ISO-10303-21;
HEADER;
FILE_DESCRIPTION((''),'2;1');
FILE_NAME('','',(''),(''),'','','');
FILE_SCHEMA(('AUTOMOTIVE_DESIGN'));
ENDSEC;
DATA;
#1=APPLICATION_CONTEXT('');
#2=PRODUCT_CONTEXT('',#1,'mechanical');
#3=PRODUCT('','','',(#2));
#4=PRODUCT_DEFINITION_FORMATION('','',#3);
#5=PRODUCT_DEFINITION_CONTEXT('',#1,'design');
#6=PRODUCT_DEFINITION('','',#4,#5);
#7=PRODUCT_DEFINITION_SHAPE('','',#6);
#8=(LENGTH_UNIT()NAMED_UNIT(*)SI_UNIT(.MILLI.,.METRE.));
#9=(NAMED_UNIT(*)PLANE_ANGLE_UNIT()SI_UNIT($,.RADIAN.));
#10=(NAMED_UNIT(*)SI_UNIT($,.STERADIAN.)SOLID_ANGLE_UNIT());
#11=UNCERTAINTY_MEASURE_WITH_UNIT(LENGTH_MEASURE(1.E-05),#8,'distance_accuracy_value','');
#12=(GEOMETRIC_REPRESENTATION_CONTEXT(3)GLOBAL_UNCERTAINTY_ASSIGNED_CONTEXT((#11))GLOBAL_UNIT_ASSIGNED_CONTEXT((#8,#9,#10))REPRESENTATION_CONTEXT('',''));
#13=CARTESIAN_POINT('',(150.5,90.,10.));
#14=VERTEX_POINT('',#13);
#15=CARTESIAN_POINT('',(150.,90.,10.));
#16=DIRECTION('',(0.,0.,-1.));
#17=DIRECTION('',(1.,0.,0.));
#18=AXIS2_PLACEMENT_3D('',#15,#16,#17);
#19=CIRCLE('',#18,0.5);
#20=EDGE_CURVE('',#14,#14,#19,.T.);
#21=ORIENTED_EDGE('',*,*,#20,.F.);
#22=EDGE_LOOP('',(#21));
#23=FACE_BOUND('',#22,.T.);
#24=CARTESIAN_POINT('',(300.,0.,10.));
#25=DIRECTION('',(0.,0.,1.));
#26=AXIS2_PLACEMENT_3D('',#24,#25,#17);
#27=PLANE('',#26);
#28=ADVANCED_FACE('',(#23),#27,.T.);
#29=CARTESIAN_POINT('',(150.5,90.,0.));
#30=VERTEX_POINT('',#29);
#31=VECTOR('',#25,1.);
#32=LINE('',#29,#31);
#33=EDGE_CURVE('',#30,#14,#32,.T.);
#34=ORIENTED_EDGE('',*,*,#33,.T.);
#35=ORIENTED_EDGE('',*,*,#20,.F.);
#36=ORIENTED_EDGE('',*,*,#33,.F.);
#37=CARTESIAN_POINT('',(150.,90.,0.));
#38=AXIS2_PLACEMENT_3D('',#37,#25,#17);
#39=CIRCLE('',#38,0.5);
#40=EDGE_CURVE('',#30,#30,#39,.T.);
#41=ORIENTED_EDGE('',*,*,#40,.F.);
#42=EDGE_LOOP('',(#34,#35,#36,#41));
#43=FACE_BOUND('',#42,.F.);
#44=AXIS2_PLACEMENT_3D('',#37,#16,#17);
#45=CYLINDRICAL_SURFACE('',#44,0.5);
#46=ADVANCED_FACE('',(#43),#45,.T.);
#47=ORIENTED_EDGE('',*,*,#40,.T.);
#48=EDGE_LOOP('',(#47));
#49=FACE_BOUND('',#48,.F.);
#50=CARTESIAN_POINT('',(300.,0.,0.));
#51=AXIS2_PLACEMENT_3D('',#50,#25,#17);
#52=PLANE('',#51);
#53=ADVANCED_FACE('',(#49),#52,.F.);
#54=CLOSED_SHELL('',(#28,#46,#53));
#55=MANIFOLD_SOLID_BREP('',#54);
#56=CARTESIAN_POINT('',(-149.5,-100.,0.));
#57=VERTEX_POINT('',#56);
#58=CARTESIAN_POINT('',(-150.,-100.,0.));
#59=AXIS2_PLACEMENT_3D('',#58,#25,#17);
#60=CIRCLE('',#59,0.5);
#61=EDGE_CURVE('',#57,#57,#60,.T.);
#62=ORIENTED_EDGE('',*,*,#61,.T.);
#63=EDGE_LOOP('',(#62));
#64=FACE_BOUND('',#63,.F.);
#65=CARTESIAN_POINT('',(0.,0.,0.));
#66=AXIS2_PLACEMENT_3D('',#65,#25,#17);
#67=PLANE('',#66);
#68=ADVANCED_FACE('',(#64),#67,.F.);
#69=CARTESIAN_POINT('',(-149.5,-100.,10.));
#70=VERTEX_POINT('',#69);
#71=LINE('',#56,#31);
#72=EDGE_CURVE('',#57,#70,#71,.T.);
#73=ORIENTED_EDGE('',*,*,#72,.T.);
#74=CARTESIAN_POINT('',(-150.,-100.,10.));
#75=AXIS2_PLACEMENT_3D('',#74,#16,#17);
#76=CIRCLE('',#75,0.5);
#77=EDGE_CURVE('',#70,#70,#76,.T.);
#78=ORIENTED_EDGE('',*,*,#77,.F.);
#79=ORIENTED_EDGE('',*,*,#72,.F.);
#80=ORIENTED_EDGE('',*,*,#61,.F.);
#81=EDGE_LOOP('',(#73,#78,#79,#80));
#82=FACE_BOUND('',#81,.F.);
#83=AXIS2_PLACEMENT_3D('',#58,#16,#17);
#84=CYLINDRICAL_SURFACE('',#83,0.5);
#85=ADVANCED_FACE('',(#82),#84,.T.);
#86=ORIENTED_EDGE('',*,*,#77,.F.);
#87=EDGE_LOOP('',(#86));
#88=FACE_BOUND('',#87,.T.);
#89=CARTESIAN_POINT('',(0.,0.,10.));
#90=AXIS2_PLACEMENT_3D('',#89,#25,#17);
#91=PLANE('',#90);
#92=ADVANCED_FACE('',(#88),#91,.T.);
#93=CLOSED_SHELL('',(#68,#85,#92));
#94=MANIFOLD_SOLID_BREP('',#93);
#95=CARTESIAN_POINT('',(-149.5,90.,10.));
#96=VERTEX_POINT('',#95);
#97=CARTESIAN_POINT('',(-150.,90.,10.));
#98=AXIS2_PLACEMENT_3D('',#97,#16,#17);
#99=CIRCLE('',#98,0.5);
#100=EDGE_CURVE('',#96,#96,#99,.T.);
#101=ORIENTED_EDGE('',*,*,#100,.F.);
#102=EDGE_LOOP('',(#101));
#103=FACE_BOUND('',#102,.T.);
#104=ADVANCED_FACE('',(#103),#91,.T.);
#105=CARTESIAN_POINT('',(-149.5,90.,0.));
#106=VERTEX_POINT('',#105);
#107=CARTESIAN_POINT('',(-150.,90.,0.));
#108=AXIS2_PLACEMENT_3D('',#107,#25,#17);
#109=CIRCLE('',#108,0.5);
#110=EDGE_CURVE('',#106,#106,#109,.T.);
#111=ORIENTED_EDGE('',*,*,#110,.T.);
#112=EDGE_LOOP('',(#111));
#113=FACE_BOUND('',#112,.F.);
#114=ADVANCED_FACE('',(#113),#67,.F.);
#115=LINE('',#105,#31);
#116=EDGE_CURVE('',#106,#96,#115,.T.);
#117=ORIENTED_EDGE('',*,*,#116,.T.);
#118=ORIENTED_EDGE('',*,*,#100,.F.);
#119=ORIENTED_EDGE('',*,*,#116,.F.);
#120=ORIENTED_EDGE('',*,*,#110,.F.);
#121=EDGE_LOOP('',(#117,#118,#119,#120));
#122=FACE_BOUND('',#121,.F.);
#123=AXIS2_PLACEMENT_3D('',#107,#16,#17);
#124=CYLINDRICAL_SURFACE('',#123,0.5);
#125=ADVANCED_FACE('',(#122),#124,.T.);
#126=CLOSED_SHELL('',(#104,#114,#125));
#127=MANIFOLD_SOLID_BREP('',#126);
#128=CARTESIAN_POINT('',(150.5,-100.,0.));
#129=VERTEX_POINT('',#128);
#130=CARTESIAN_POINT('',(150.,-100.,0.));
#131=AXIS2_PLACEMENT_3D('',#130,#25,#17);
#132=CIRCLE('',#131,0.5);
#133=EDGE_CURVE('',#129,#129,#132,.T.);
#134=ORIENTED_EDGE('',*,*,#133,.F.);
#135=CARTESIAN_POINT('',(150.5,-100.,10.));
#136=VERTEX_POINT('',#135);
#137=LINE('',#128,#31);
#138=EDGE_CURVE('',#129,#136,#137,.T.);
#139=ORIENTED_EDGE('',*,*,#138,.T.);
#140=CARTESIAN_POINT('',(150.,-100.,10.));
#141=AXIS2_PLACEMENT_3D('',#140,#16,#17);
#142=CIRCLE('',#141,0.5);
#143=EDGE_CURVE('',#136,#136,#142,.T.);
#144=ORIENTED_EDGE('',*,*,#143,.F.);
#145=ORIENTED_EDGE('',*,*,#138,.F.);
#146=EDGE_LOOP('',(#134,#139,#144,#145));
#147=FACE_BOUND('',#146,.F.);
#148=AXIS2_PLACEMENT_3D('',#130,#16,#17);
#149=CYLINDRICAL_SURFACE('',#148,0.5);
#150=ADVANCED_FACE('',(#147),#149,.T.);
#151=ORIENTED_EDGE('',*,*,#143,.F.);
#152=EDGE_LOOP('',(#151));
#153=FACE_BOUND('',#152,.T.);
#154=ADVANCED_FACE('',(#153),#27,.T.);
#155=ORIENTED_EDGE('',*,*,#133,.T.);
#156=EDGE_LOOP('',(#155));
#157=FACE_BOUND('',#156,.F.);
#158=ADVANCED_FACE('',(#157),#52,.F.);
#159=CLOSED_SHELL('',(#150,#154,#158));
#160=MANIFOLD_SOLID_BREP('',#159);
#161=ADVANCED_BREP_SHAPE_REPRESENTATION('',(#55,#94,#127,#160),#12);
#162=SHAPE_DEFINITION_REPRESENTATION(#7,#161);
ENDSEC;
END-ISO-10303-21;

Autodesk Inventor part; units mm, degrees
ref_plane "YZ Plane" through (0, 0, 0) normal (1, 0, 0) x (0, 1, 0)
ref_plane "XZ Plane" through (0, 0, 0) normal (0, 1, 0) x (-1, 0, 0)
ref_plane "XY Plane" through (0, 0, 0) normal (0, 0, 1) x (1, 0, 0)
sketch "Sketch1" plane through (0, 0, 0) normal (0, 0, 1) x (1, 0, 0)
  line L0 (-200, -150) -> (200, -150)
  line L1 (200, -150) -> (200, 150)
  line L2 (200, 150) -> (-200, 150)
  line L3 (-200, 150) -> (-200, -150)
  line L4 (-200, -150) -> (200, 150) construction
  line L5 (200, -150) -> (-200, 150) construction
  line L6 (-150, -100) -> (150, -100)
  line L7 (150, -100) -> (150, 90)
  line L8 (150, 90) -> (-150, 90)
  line L9 (-150, 90) -> (-150, -100)
  line L10 (-150, -100) -> (150, 90) construction
  line L11 (150, -100) -> (-150, 90) construction
  circle A0 centre (-150, -100) radius 0.5
  circle A1 centre (-150, 90) radius 0.5
  point P0 (0, 0)
  point P1 (0, -5)
  point P2 (0, -5)
  point P3 (0, -5)
  dimension "Length" = 400
  dimension "Width" = 300
  dimension "d3" = 145
  dimension "d4" = 300
  dimension "d5" = 190
  dimension "d7" = 200
  dimension "d8" = 1
  dimension "d9" = 1
extrude "Extrusion1" add sketch "Sketch1" along normal blind 10 contours L9 A0 L6 | L6 A0 L9
extrude "Extrusion2" add sketch "Sketch1" along normal blind 10 separate body contours A1 L8 L9 | L9 L8 A1
pattern_linear "Rectangular Pattern2" count 2 spacing 300 along (1, 0, 0) of "Extrusion2" bodies 2
pattern_linear "Rectangular Pattern1" count 2 spacing 300 along (1, 0, 0) bodies 1
equation "\"d3\" = Y_Coord"
equation "\"d4\" = LX"
equation "\"d5\" = LY"
equation "\"d7\" = X_Coord"
equation "\"d19\" = LX"
equation "\"X_Coord\" = 0.5 * Length + 0.5 * Shift_X"
equation "\"Y_Coord\" = 0.5 * Width + 0.5 * Shift_Y"
equation "\"Shift_X\" = 0"
equation "\"LX\" = -2 * Margins_X + Length - Shift_X"
equation "\"LY\" = 190"
equation "\"Shift_Y\" = -10"
equation "\"Margins_X\" = 50"
properties part number "Legs"
